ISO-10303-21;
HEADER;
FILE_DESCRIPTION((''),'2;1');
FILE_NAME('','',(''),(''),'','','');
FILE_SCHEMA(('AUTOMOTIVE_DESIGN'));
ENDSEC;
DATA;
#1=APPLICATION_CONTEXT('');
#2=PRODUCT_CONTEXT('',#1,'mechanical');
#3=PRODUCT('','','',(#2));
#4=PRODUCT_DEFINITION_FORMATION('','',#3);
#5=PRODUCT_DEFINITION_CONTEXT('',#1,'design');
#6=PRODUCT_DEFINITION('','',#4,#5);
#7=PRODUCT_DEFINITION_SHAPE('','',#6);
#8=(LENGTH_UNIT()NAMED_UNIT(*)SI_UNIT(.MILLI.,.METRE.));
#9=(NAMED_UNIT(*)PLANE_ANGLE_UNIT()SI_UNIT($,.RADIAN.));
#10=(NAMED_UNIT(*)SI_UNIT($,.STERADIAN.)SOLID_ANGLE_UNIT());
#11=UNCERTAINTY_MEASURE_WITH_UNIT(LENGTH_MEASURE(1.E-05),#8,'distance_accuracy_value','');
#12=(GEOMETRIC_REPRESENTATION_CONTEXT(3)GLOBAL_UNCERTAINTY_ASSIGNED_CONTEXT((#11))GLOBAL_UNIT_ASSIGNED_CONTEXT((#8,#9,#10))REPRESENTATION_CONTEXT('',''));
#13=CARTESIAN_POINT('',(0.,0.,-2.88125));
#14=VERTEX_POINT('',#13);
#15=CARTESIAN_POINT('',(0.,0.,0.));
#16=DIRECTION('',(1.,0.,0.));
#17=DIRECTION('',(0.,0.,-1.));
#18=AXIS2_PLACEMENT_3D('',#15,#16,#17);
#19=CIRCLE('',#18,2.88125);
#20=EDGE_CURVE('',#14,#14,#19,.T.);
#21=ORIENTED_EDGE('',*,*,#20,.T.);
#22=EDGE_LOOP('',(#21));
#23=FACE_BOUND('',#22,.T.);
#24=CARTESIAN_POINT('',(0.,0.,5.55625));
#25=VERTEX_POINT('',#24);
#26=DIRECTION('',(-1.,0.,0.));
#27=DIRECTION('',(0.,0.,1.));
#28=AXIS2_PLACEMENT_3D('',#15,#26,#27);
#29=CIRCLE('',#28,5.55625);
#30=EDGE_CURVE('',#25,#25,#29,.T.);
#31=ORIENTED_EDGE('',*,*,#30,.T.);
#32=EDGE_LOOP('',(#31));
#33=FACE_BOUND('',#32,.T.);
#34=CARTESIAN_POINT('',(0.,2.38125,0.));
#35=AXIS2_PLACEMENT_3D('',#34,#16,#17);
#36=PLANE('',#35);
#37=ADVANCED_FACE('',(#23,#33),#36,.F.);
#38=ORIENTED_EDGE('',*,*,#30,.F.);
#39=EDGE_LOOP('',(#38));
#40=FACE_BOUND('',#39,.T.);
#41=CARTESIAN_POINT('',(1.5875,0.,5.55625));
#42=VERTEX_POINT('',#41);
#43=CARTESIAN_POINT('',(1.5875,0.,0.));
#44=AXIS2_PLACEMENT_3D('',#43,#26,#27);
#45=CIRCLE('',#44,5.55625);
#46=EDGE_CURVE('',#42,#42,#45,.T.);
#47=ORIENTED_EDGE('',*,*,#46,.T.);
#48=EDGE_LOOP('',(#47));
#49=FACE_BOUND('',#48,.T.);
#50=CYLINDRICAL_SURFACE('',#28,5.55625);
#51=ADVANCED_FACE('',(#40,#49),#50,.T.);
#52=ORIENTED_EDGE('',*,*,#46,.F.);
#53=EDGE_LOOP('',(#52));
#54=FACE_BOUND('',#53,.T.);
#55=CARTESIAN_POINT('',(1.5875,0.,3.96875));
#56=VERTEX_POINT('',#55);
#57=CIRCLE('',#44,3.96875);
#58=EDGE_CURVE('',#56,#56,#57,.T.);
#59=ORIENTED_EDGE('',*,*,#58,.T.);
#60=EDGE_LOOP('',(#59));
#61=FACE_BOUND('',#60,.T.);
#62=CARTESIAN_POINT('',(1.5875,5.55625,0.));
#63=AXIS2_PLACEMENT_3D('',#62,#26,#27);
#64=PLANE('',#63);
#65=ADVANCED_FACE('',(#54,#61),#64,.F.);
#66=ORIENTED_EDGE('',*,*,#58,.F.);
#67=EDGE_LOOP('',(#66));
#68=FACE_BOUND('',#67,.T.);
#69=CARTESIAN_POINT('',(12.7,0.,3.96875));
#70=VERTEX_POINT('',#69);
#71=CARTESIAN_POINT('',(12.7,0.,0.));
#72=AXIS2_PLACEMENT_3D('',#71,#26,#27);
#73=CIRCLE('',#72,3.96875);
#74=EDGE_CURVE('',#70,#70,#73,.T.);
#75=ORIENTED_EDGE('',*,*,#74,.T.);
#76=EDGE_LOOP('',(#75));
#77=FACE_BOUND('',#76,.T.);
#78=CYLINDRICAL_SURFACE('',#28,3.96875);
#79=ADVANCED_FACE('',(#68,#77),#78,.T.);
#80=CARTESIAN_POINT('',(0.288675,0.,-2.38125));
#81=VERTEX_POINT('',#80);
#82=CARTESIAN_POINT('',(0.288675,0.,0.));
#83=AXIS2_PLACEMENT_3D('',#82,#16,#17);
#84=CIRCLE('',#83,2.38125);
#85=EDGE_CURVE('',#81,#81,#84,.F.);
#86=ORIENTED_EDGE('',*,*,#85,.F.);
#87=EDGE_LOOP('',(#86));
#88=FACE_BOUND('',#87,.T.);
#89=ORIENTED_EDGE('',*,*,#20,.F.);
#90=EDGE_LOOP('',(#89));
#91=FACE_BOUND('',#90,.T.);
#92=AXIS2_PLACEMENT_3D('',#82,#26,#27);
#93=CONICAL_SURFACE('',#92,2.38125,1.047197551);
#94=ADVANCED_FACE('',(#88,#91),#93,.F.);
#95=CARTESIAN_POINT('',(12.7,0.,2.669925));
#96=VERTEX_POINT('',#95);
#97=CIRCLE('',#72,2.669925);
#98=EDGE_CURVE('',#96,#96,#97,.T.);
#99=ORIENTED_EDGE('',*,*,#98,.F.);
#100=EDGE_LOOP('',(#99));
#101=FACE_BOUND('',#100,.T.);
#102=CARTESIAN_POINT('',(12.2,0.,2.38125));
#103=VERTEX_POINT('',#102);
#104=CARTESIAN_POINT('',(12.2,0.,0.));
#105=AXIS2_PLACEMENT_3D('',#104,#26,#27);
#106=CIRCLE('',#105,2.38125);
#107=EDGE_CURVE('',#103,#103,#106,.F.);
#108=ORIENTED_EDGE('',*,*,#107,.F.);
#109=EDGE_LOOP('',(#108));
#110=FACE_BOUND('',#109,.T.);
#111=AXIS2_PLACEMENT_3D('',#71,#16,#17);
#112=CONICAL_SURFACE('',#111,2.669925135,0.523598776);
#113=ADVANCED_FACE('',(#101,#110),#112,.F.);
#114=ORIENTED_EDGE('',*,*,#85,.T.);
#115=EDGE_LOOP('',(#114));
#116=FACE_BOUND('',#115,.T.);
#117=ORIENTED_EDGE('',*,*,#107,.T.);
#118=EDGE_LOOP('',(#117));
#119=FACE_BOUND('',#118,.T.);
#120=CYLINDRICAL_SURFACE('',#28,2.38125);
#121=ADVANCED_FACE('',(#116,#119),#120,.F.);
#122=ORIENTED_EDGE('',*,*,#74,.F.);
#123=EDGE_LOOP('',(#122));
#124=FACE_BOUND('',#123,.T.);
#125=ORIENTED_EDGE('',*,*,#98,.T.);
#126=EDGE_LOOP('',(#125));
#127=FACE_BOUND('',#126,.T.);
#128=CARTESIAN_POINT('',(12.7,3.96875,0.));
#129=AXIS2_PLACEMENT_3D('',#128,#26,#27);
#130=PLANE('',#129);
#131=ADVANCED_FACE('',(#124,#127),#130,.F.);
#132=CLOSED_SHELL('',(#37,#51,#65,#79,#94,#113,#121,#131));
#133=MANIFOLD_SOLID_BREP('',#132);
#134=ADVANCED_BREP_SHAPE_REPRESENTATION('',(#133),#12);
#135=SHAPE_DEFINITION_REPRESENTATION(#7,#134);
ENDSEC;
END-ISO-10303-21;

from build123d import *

# Parameters (mm, degrees)
CHAMFER1_SIZE         = 0.5
CHAMFER1_SIZE2        = 0.288675135
CHAMFER1_PART_2_SIZE  = 0.5
CHAMFER1_PART_2_SIZE2 = 0.288675135


with BuildPart() as part:
    # Sketch1 → Revolve1 (revolve)
    with BuildSketch(Plane.XY):
        Polygon((0, 2.38125), (0, 5.55625), (1.5875, 5.55625), (1.5875, 3.96875), (12.7, 3.96875), (12.7, 2.38125), align=None)
    revolve(axis=Axis((0, 0, 0), (1, 0, 0)))

    # Chamfer1
    chamfer1_edges = [part.edges().sort_by_distance(p)[0] for p in [
        (12.7, -2.38125, 0),
    ]]
    chamfer1_side = [part.faces().sort_by_distance(p)[0] for p in [
        (6.35, -2.38125, 0),
    ]]
    chamfer(chamfer1_edges, length=CHAMFER1_SIZE, length2=CHAMFER1_SIZE2, reference=chamfer1_side[0])

    # Chamfer1 part 2
    chamfer1_part_2_edges = [part.edges().sort_by_distance(p)[0] for p in [
        (0, -2.38125, 0),
    ]]
    chamfer1_part_2_side = [part.faces().sort_by_distance(p)[0] for p in [
        (0, -2.538404482, 0),
    ]]
    chamfer(chamfer1_part_2_edges, length=CHAMFER1_PART_2_SIZE, length2=CHAMFER1_PART_2_SIZE2, reference=chamfer1_part_2_side[0])


solid = part.part
